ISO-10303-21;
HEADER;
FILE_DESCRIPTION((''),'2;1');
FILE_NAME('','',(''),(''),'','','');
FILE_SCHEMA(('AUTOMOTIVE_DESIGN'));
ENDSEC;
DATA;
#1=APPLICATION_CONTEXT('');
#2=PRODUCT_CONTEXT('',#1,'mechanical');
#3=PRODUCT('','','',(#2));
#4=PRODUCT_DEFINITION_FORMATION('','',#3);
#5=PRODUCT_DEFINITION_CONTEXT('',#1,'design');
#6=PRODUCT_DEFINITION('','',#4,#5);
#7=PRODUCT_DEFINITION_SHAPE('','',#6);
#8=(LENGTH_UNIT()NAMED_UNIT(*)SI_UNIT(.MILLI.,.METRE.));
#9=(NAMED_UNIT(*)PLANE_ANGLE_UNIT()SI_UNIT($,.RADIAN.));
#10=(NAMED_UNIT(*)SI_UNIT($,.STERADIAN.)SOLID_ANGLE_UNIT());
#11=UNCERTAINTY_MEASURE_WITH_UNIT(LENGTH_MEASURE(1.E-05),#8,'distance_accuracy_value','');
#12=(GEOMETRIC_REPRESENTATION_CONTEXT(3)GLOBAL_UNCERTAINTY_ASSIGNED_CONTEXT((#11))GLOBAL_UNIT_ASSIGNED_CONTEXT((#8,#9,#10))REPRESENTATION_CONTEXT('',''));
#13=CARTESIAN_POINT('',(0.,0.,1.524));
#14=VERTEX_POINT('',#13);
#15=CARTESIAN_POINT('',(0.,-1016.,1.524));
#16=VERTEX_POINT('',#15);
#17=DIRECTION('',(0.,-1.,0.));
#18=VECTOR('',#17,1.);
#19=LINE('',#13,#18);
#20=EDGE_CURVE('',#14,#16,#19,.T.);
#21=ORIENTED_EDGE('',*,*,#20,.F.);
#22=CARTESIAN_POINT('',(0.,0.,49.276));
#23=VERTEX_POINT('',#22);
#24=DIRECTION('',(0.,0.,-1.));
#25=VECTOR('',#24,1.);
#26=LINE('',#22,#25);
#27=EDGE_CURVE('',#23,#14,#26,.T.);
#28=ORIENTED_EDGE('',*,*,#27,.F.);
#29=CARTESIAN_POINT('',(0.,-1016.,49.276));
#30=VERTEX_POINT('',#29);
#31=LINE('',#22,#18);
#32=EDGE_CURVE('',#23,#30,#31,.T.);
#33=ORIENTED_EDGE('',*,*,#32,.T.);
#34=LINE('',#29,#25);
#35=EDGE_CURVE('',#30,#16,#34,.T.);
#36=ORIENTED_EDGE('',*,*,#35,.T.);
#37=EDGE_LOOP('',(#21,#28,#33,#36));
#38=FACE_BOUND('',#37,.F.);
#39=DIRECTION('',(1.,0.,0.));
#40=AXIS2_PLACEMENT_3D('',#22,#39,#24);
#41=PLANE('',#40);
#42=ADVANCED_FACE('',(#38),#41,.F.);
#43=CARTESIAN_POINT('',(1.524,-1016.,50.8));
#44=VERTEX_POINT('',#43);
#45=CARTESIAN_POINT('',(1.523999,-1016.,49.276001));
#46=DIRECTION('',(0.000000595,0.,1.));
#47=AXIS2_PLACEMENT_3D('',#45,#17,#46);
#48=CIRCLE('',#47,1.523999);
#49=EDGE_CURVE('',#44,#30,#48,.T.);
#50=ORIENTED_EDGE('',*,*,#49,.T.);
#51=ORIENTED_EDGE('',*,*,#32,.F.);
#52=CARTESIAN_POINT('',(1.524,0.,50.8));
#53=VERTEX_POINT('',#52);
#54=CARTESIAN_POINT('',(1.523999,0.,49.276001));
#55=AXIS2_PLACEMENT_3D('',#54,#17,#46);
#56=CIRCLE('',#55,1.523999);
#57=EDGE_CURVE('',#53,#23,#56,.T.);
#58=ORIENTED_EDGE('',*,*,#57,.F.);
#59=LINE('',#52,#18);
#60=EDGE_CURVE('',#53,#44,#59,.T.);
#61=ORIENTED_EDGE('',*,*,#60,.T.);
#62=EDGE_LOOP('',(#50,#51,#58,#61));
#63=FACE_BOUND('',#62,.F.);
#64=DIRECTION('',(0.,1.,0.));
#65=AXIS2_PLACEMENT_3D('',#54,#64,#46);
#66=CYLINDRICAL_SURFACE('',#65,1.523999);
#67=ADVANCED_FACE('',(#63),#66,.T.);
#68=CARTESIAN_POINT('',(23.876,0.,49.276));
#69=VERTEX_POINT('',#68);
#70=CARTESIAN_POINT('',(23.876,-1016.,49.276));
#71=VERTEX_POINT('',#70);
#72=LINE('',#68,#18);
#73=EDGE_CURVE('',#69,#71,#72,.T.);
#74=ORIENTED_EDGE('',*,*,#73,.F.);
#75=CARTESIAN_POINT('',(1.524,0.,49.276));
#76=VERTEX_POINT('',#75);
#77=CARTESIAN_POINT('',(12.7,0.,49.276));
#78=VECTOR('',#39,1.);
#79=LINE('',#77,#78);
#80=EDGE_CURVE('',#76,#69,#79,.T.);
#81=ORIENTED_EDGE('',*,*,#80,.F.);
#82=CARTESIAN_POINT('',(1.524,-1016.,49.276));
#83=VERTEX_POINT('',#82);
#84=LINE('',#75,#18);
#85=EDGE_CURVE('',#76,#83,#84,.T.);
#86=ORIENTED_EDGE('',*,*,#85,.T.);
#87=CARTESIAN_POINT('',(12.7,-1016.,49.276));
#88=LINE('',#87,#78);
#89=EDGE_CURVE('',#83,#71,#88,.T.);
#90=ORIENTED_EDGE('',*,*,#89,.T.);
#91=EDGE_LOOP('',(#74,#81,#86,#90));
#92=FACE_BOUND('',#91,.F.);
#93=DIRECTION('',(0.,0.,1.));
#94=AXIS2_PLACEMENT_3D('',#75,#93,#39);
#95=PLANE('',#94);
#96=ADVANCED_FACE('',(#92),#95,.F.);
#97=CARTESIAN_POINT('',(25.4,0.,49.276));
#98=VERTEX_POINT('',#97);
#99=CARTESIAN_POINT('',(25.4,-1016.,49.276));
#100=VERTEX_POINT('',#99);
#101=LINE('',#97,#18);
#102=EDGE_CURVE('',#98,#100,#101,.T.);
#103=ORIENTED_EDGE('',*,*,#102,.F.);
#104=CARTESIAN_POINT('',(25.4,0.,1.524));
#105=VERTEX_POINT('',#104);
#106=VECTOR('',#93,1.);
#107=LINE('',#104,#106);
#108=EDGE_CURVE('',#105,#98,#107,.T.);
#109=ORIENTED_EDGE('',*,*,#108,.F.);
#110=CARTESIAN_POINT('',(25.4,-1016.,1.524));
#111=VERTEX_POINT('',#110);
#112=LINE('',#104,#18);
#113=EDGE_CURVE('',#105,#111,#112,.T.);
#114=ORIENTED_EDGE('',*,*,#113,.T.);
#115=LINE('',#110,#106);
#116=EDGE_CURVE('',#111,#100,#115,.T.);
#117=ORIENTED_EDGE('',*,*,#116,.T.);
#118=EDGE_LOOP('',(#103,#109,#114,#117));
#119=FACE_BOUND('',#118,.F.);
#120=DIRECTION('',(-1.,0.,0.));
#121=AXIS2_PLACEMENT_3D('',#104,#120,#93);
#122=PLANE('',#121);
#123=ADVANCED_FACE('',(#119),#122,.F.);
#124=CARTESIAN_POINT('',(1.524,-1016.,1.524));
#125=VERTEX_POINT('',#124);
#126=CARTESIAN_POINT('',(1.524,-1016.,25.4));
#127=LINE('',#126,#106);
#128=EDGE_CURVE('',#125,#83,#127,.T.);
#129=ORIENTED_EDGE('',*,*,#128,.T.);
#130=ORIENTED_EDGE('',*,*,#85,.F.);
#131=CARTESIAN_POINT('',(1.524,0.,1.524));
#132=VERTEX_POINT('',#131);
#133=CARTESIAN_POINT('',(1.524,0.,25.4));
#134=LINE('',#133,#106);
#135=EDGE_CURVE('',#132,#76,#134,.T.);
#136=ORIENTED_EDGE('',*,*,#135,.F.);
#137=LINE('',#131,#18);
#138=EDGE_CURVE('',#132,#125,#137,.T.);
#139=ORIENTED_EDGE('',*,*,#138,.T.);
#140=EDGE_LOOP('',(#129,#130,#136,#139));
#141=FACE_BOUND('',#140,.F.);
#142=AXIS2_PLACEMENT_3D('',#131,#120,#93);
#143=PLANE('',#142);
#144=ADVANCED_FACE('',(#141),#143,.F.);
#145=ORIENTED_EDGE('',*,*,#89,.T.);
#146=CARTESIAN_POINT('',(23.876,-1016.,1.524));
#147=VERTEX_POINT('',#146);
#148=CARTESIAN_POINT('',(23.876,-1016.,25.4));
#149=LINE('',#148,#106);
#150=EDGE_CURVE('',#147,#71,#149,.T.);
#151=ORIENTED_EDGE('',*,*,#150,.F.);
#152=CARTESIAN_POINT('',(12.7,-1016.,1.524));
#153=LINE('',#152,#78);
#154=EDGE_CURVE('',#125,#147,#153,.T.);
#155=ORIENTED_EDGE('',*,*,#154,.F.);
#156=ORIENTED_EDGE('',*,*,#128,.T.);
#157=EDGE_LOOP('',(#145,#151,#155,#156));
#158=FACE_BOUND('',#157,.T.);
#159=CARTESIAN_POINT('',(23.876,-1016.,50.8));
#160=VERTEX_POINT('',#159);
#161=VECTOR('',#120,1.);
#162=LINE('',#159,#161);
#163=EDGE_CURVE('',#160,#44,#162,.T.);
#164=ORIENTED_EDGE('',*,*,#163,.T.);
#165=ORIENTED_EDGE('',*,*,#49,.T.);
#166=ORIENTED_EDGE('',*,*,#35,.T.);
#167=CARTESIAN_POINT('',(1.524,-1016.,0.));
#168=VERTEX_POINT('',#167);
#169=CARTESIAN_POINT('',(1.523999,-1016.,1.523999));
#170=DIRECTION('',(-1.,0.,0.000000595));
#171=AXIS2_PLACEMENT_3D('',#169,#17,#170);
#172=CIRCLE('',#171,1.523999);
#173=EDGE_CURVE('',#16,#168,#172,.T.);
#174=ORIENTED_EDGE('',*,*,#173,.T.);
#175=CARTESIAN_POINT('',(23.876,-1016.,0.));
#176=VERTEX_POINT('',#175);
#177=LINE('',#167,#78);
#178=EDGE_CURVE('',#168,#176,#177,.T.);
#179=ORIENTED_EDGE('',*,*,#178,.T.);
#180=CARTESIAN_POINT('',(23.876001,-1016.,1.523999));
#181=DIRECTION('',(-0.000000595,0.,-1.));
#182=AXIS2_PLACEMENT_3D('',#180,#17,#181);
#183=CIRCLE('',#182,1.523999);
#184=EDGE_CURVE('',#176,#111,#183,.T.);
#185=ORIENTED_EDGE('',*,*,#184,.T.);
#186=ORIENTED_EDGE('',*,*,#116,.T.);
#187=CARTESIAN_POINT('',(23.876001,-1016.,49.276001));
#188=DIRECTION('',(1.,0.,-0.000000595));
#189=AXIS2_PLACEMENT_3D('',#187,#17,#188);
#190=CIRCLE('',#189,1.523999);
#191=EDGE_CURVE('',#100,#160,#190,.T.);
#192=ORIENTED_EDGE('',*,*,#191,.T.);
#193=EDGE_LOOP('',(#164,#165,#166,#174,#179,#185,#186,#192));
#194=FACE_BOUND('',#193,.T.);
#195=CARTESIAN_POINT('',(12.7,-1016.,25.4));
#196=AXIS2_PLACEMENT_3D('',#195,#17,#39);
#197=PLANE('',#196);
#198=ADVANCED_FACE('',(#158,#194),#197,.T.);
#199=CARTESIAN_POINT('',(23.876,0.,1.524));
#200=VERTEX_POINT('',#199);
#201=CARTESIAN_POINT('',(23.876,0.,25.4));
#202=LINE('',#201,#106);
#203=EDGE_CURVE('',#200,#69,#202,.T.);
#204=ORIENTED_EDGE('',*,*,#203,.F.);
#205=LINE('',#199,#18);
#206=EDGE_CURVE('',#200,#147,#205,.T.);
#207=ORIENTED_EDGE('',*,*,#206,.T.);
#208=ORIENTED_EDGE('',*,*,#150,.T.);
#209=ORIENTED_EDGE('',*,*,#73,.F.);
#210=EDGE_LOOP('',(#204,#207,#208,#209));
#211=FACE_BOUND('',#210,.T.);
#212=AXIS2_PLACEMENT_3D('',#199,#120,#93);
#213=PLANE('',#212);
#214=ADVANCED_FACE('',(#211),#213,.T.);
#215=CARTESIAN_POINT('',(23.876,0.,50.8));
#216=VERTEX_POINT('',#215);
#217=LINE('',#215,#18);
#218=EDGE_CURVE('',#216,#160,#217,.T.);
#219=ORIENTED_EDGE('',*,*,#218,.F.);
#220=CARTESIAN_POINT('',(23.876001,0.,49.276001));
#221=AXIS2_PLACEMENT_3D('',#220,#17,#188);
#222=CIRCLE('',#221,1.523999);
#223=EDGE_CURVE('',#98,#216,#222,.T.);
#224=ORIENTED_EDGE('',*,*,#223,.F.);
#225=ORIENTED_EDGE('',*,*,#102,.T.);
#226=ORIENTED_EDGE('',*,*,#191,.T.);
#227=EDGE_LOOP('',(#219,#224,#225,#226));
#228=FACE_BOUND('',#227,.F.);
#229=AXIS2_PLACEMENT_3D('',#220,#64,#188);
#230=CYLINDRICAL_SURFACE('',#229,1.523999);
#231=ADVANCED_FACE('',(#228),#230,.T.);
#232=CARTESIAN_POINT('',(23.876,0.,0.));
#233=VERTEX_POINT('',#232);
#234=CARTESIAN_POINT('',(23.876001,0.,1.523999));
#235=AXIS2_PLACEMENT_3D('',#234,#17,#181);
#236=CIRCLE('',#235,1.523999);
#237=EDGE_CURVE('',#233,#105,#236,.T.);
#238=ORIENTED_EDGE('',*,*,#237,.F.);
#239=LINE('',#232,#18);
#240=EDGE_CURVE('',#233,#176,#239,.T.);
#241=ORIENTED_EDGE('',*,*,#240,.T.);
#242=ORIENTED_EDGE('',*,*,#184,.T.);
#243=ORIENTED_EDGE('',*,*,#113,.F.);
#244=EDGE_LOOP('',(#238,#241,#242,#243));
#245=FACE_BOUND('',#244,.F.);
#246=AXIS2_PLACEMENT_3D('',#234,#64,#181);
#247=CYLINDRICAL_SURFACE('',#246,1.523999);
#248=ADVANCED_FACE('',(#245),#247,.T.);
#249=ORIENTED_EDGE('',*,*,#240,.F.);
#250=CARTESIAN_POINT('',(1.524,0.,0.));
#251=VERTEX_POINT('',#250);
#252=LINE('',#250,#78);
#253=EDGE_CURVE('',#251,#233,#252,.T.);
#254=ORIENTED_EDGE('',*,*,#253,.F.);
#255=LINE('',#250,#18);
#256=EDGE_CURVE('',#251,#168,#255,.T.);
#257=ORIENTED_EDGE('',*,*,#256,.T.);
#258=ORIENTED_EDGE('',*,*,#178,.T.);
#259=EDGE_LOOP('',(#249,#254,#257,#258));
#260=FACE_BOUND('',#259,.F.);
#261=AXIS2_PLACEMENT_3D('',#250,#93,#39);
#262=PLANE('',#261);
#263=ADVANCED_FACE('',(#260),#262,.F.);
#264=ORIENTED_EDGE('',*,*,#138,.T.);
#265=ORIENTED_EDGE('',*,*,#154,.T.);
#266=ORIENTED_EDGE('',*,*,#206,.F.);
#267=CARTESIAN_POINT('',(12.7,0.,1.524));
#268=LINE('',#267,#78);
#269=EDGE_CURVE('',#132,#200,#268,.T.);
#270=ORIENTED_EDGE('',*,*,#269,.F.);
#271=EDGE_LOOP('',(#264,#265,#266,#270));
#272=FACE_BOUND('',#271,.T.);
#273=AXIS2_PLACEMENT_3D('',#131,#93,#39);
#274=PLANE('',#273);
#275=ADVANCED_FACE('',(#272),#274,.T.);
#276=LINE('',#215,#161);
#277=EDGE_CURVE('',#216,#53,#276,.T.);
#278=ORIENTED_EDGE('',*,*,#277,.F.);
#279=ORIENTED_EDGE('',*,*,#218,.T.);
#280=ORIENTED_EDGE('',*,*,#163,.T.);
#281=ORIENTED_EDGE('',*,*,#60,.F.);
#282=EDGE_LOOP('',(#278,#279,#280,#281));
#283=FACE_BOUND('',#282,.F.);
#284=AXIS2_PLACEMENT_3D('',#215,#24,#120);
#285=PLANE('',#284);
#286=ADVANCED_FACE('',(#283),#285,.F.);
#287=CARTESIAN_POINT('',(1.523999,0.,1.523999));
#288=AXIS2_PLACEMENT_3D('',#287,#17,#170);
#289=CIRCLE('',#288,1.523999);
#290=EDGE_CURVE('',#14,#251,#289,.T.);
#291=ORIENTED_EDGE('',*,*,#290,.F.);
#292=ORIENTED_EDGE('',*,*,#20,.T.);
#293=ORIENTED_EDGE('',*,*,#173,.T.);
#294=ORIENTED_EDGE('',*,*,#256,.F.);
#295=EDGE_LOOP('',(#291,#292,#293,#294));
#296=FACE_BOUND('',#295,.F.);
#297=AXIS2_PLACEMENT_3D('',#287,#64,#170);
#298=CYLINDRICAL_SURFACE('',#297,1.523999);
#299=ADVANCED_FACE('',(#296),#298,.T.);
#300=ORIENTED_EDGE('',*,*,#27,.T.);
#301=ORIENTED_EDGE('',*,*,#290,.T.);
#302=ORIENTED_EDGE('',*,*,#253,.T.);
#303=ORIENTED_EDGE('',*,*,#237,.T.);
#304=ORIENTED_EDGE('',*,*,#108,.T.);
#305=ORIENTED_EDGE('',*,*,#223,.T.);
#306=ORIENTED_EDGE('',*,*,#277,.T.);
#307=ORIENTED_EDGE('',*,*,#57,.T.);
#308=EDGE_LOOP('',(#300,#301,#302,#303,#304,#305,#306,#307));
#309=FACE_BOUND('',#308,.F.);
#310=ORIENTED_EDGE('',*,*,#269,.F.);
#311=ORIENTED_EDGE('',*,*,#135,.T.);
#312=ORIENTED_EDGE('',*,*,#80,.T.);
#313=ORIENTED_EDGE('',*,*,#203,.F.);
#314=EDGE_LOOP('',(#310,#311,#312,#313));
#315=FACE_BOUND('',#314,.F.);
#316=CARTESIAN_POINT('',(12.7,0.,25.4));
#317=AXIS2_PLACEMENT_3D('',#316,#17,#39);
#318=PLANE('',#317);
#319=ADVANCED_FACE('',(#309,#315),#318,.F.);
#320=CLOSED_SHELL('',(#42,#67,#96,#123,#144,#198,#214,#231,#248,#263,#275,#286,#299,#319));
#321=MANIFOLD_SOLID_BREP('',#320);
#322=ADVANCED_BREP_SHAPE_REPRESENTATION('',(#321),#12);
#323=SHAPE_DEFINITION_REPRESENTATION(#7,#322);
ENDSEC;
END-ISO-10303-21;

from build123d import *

# Parameters (mm, degrees)
F0_W     = 22.352
F0_H     = 47.752
F1_DEPTH = 1016


with BuildPart() as f1:
    # F0 (on Front) → F1 (new body)
    with BuildSketch(Plane.XZ):
        with BuildLine():
            ThreePointArc((0, 1.524), (0.446369, 0.446369), (1.524, 0))
            Line((1.524, 0), (23.876, 0))
            ThreePointArc((23.876, 0), (24.953631, 0.446369), (25.4, 1.524))
            Line((25.4, 1.524), (25.4, 49.276))
            ThreePointArc((25.4, 49.276), (24.953631, 50.353631), (23.876, 50.8))
            Line((23.876, 50.8), (1.524, 50.8))
            ThreePointArc((1.524, 50.8), (0.446369, 50.353631), (0, 49.276))
            Line((0, 49.276), (0, 1.524))
        make_face()
        with Locations((12.7, 25.4)):
            Rectangle(F0_W, F0_H, mode=Mode.SUBTRACT)
    extrude(amount=F1_DEPTH)


solid = f1.part
